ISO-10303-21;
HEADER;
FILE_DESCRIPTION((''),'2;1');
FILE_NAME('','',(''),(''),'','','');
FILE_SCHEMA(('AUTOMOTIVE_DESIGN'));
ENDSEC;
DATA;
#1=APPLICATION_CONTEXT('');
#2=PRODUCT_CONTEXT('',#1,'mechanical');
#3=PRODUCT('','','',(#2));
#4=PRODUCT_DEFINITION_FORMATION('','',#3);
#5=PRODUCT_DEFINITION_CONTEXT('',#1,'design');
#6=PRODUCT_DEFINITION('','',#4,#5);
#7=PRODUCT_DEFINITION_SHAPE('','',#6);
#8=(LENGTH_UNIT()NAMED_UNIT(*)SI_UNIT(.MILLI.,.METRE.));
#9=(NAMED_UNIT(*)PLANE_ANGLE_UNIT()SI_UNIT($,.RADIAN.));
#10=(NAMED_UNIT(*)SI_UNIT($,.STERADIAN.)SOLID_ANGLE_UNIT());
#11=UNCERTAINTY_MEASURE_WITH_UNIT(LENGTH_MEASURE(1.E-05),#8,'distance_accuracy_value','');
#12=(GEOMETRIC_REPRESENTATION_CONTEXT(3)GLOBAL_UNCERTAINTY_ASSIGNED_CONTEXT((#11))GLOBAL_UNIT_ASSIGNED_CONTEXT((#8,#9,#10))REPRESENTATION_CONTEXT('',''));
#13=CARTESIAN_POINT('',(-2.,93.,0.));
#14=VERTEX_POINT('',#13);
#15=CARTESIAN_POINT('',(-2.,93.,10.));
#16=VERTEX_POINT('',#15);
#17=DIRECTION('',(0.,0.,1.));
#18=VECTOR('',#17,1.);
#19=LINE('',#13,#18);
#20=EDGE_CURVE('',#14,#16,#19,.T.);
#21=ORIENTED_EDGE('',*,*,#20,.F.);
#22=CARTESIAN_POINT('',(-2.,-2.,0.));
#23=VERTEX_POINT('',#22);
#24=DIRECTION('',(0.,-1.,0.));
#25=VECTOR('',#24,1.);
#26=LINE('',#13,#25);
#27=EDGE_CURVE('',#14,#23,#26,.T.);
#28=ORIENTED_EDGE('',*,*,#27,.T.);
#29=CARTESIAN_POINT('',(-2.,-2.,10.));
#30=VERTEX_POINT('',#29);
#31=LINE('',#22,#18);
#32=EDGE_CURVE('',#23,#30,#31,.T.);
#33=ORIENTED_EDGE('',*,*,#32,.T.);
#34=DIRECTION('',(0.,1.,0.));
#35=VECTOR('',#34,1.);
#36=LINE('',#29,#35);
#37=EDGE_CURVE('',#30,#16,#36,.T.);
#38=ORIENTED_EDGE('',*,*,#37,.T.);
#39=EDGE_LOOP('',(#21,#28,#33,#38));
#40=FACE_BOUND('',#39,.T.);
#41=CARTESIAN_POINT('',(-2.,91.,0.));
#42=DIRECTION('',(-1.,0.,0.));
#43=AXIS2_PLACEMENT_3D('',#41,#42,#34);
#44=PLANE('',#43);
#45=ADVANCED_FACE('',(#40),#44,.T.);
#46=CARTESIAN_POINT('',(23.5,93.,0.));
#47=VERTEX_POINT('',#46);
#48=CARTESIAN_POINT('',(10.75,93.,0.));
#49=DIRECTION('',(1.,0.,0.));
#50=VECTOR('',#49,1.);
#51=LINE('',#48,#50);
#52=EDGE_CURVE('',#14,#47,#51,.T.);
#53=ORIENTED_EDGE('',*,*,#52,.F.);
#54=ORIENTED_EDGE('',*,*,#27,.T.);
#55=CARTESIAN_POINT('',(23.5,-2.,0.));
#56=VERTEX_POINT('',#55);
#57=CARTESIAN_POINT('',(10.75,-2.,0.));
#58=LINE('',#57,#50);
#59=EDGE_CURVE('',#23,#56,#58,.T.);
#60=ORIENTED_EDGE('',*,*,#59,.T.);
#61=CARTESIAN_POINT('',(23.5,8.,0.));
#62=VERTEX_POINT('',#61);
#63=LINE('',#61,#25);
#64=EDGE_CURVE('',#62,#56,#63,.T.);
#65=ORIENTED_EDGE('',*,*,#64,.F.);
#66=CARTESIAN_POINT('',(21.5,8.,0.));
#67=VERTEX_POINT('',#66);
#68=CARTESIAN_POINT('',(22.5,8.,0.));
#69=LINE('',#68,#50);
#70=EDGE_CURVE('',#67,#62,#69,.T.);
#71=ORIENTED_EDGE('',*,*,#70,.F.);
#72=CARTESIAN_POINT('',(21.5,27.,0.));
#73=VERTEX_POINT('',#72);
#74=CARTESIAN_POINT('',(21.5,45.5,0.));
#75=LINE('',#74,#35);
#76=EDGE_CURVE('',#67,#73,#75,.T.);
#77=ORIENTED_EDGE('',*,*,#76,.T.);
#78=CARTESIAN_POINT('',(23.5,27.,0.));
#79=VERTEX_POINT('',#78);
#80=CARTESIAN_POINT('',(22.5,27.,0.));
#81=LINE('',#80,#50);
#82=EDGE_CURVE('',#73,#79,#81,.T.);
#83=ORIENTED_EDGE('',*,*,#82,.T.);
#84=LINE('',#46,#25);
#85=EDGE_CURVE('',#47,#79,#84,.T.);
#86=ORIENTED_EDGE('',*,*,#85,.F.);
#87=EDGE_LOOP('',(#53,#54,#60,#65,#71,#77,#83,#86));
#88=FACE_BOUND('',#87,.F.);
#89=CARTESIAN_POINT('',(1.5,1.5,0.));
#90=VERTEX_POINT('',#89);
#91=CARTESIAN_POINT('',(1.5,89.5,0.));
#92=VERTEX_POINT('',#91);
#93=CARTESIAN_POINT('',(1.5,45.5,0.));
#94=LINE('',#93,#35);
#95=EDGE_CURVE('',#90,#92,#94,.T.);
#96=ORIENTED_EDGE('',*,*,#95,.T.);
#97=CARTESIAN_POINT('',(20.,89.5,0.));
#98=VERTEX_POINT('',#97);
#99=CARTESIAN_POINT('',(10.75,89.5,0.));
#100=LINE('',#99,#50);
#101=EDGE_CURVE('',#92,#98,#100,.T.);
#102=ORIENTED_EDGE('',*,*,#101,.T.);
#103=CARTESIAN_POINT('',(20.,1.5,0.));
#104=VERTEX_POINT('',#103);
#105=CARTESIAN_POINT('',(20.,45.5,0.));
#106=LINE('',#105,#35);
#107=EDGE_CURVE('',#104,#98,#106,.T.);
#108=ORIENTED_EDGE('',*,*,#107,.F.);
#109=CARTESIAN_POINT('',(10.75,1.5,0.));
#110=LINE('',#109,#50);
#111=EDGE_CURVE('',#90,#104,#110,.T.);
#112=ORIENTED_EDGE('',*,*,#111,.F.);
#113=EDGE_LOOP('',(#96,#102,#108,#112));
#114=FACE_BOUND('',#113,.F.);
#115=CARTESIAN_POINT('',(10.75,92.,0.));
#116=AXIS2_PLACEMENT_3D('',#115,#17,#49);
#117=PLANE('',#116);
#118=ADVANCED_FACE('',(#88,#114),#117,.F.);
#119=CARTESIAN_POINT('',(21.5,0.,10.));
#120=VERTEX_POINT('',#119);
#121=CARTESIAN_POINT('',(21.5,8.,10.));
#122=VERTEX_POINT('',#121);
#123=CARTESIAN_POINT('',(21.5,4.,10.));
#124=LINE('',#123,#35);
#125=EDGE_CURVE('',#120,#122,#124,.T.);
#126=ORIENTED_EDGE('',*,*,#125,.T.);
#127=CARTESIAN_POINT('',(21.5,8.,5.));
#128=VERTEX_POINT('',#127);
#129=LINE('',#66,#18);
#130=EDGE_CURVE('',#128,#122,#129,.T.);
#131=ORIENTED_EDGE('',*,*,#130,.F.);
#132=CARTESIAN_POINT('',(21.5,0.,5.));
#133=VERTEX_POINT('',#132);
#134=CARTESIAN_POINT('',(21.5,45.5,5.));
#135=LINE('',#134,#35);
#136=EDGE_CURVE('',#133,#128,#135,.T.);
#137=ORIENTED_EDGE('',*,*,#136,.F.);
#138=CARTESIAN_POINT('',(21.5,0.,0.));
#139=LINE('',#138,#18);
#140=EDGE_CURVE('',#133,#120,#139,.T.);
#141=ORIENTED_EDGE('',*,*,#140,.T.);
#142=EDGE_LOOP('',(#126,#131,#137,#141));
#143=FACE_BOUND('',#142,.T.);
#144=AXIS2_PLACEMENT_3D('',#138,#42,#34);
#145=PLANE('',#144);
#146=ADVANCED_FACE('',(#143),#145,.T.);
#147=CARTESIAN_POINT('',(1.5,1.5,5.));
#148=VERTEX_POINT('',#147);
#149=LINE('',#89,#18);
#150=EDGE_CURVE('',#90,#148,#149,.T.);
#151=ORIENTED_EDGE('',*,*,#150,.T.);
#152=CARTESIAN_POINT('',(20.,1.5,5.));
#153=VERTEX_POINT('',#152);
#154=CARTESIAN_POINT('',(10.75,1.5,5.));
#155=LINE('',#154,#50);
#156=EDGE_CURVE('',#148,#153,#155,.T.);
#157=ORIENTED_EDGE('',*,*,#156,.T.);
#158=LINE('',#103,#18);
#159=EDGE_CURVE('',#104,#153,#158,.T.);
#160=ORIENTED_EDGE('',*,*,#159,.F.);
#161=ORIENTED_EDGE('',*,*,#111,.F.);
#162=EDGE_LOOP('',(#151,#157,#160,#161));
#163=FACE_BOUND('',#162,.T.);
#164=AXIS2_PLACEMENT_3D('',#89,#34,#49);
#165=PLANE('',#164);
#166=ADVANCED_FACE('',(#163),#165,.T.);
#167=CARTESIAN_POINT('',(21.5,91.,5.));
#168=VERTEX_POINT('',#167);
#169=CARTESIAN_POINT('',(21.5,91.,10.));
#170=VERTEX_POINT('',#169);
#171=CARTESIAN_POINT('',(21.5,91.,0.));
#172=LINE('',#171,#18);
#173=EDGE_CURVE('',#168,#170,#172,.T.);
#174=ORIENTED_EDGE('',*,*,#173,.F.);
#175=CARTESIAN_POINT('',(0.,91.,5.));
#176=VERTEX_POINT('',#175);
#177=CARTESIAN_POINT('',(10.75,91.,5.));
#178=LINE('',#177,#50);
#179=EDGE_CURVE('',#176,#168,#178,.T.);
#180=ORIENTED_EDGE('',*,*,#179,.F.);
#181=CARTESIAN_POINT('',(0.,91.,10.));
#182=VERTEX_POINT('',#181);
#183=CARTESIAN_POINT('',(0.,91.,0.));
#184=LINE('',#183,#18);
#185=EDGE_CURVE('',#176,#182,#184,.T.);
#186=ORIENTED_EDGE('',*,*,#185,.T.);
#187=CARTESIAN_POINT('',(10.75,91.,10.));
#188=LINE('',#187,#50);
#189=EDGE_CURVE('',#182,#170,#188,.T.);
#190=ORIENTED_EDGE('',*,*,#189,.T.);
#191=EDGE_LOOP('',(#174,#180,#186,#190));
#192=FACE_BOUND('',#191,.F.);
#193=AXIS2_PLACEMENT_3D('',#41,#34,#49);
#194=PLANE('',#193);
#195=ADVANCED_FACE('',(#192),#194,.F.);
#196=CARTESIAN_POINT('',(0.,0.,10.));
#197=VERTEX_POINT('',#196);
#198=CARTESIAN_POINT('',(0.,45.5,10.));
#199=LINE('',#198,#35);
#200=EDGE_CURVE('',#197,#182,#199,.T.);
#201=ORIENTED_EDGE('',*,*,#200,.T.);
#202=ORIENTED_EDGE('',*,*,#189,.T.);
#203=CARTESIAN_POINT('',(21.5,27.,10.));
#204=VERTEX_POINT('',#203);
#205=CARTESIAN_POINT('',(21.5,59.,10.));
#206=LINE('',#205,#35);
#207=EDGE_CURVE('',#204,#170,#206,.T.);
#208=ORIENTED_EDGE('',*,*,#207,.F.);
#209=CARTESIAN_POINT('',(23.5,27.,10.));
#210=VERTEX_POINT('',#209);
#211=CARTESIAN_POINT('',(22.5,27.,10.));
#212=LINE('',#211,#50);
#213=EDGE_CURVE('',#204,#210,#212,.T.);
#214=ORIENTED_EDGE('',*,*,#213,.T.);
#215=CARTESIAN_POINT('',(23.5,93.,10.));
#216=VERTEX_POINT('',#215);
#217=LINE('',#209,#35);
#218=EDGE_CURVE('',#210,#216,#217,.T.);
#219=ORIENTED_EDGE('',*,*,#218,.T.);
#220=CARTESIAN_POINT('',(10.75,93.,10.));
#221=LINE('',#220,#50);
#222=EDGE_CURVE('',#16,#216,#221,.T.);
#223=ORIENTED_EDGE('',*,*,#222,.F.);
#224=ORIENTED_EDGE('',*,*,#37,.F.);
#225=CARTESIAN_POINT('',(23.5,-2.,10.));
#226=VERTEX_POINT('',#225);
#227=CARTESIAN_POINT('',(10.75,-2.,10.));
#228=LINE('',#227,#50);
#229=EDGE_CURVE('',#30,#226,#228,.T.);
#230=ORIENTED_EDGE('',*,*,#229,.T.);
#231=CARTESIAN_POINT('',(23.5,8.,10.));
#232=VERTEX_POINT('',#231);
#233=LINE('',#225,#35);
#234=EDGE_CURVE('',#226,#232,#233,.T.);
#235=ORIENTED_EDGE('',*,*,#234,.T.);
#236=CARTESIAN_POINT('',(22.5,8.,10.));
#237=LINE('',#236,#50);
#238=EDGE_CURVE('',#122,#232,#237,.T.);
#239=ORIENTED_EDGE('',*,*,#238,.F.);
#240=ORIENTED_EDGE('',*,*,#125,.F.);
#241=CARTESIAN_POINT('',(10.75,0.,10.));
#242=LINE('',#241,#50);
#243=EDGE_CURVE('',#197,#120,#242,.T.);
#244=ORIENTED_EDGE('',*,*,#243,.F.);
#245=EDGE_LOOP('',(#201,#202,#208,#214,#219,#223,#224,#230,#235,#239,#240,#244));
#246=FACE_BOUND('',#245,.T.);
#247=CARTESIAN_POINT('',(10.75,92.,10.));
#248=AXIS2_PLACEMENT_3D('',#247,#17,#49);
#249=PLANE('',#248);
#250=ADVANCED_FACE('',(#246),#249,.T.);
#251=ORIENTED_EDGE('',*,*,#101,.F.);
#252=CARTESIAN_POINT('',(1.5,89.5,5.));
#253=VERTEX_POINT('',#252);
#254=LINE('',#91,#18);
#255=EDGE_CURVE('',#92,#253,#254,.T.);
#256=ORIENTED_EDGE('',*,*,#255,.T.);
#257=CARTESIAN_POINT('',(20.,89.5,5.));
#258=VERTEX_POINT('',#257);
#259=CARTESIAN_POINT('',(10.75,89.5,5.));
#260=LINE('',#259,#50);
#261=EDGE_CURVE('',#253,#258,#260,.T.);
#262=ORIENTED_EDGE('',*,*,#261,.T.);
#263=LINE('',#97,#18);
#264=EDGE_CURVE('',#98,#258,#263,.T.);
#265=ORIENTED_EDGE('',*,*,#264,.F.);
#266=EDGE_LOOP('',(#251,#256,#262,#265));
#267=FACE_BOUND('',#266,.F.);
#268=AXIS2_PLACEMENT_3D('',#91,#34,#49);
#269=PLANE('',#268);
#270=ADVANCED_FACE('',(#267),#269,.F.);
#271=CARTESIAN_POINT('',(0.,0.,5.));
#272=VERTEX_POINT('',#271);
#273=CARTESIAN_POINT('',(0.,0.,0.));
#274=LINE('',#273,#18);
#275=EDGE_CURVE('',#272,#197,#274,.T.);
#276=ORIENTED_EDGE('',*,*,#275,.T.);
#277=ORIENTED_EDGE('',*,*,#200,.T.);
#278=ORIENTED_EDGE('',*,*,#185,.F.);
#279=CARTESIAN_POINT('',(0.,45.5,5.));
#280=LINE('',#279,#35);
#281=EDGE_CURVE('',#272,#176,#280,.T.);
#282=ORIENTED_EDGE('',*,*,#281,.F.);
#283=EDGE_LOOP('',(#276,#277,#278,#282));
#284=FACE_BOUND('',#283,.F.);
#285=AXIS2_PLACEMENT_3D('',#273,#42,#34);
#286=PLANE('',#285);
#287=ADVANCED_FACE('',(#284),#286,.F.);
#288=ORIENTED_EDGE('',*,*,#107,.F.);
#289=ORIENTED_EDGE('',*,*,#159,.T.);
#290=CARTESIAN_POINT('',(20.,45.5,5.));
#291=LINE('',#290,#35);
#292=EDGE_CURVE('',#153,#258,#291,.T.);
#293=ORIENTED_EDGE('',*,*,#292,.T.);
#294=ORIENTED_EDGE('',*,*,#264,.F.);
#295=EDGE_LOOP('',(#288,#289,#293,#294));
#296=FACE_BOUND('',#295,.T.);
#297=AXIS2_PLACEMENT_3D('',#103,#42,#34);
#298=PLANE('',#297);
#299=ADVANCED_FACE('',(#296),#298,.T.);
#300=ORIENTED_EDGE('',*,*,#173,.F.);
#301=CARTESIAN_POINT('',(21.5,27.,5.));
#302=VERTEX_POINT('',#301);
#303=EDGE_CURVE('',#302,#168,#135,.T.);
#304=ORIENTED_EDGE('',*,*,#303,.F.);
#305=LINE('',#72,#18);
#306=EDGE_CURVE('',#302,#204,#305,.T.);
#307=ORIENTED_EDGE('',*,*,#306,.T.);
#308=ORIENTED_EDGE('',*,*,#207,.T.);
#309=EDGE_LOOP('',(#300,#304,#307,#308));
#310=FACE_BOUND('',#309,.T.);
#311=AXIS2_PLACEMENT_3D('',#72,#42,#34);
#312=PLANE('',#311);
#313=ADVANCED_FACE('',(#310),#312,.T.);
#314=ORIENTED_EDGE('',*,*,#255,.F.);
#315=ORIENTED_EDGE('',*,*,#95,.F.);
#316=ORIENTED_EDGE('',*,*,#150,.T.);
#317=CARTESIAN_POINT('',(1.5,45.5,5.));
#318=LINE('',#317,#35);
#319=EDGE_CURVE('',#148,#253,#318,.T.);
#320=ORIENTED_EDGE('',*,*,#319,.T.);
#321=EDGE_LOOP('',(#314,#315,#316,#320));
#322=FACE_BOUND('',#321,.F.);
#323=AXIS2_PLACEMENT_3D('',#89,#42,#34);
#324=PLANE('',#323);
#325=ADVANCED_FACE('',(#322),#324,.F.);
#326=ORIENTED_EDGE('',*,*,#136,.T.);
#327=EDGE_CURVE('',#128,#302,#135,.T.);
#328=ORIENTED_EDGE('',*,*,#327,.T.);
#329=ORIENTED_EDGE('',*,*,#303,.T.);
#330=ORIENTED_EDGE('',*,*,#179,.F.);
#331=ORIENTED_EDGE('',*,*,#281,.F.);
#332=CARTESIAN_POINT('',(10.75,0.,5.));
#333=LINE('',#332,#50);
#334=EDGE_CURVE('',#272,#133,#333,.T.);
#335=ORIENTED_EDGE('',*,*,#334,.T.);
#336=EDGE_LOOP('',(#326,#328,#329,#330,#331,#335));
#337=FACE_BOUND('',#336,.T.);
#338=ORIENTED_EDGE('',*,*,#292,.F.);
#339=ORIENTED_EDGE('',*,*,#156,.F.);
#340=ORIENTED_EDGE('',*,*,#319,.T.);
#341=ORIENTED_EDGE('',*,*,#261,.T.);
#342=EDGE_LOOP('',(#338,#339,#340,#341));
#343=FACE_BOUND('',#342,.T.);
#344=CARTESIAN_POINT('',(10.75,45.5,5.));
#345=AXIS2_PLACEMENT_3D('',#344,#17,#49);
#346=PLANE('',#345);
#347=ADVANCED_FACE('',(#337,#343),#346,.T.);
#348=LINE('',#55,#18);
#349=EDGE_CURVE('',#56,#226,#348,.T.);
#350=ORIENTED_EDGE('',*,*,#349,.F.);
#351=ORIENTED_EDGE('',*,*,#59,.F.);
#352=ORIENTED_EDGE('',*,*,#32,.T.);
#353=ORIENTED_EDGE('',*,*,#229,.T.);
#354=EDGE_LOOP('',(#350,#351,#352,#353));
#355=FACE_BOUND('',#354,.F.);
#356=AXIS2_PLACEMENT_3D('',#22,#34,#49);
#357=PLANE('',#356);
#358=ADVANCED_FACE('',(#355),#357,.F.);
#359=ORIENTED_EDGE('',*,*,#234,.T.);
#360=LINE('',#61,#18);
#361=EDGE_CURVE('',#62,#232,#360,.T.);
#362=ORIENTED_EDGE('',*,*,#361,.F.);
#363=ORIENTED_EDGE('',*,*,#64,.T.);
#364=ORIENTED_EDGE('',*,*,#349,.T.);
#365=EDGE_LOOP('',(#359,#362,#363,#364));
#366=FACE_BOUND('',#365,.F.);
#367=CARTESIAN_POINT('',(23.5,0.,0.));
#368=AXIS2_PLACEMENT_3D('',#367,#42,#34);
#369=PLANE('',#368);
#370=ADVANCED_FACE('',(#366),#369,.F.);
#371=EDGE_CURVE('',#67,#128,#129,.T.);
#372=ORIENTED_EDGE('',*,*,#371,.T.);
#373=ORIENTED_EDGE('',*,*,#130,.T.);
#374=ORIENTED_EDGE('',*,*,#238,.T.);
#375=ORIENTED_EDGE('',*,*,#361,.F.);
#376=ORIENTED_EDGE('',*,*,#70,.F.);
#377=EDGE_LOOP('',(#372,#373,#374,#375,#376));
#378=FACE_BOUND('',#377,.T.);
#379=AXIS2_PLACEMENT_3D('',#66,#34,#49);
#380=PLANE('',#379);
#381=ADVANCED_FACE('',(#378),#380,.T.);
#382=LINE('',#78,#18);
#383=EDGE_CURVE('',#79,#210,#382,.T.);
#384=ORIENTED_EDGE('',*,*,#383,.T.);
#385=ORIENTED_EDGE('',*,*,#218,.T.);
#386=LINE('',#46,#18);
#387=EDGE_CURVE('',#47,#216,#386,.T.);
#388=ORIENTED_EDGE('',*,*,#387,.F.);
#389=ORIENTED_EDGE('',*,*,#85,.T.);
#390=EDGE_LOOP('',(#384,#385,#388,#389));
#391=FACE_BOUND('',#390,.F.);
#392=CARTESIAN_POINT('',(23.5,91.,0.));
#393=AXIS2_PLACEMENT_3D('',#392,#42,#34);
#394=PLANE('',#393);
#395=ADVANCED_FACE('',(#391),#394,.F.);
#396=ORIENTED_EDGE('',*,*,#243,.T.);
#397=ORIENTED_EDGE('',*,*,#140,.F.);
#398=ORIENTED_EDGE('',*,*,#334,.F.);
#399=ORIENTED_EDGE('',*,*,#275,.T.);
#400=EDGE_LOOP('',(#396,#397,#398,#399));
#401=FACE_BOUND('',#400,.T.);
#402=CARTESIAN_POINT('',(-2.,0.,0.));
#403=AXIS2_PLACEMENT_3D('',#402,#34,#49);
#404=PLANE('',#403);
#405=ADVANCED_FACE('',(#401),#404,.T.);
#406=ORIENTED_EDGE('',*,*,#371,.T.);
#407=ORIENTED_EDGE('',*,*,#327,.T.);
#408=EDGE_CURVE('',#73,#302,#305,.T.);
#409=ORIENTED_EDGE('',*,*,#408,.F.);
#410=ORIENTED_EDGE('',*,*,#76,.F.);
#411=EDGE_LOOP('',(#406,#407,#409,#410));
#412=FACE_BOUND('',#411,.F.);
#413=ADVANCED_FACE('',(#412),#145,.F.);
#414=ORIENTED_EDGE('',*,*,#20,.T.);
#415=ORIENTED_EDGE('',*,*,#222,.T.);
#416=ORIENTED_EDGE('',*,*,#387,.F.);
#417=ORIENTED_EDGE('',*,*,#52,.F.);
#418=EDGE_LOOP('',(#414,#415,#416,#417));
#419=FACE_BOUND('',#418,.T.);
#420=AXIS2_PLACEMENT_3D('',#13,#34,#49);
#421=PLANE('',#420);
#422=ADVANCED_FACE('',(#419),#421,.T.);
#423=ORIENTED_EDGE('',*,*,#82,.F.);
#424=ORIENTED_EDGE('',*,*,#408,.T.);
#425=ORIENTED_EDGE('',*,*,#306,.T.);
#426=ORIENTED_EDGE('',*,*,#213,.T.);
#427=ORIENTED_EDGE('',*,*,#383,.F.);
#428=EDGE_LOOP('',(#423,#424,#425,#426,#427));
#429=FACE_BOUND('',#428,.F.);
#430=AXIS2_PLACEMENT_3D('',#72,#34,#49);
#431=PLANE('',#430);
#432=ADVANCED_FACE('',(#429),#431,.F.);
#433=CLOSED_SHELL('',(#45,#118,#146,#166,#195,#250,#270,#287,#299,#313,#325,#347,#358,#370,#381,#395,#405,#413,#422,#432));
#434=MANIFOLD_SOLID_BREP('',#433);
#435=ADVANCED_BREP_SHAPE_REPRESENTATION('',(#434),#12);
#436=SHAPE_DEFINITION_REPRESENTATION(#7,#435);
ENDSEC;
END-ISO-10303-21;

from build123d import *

# Parameters (mm, degrees)
BOX015_W     = 25.5
BOX015_H     = 2
BOX015_DEPTH = 10
BOX016_W     = 2
BOX016_H     = 8
BOX016_DEPTH = 10
BOX017_W     = 2
BOX017_H     = 64
BOX017_DEPTH = 10
BOX014_W     = 25.5
BOX014_H     = 2
BOX014_DEPTH = 10
BOX013_W     = 2
BOX013_H     = 91
BOX013_DEPTH = 10
BOX011_W     = 18.5
BOX011_H     = 88
BOX011_DEPTH = 5
BOX010_W     = 21.5
BOX010_H     = 91
BOX010_DEPTH = 5


with BuildPart() as frame_top:
    # Box015 → Box015 (new body)
    with BuildSketch(Plane(origin=(-2, 91, 0), x_dir=(1, 0, 0), z_dir=(0, 0, 1))):
        with Locations((12.75, 1)):
            Rectangle(BOX015_W, BOX015_H)
    extrude(amount=BOX015_DEPTH)


with BuildPart() as frame_right_bottom:
    # Box016 → Box016 (new body)
    with BuildSketch(Plane(origin=(21.5, 0, 0), x_dir=(1, 0, 0), z_dir=(0, 0, 1))):
        with Locations((1, 4)):
            Rectangle(BOX016_W, BOX016_H)
    extrude(amount=BOX016_DEPTH)


with BuildPart() as frame_right_top:
    # Box017 → Box017 (new body)
    with BuildSketch(Plane(origin=(21.5, 27, 0), x_dir=(1, 0, 0), z_dir=(0, 0, 1))):
        with Locations((1, 32)):
            Rectangle(BOX017_W, BOX017_H)
    extrude(amount=BOX017_DEPTH)


with BuildPart() as frame_bottom:
    # Box014 → Box014 (new body)
    with BuildSketch(Plane(origin=(-2, -2, 0), x_dir=(1, 0, 0), z_dir=(0, 0, 1))):
        with Locations((12.75, 1)):
            Rectangle(BOX014_W, BOX014_H)
    extrude(amount=BOX014_DEPTH)


with BuildPart() as frame:
    # Box013 → Box013 (new body)
    with BuildSketch(Plane(origin=(-2, 0, 0), x_dir=(1, 0, 0), z_dir=(0, 0, 1))):
        with Locations((1, 45.5)):
            Rectangle(BOX013_W, BOX013_H)
    extrude(amount=BOX013_DEPTH)

    # Fusion: union frame_bottom
    add(frame_bottom.part)

    # Fusion001: union frame_right_top
    add(frame_right_top.part)

    # Fusion002: union frame_right_bottom
    add(frame_right_bottom.part)

    # Fusion003: union frame_top
    add(frame_top.part)


with BuildPart() as cube005:
    # Box011 → Box011 (new body)
    with BuildSketch(Plane(origin=(1.5, 1.5, 0), x_dir=(1, 0, 0), z_dir=(0, 0, 1))):
        with Locations((9.25, 44)):
            Rectangle(BOX011_W, BOX011_H)
    extrude(amount=BOX011_DEPTH)


with BuildPart() as fusion004:
    # Box010 → Box010 (new body)
    with BuildSketch(Plane.XY):
        with Locations((10.75, 45.5)):
            Rectangle(BOX010_W, BOX010_H)
    extrude(amount=BOX010_DEPTH)

    # Cut006: cut Cube005
    add(cube005.part, mode=Mode.SUBTRACT)

    # Fusion004: union frame
    add(frame.part)


solid = fusion004.part
